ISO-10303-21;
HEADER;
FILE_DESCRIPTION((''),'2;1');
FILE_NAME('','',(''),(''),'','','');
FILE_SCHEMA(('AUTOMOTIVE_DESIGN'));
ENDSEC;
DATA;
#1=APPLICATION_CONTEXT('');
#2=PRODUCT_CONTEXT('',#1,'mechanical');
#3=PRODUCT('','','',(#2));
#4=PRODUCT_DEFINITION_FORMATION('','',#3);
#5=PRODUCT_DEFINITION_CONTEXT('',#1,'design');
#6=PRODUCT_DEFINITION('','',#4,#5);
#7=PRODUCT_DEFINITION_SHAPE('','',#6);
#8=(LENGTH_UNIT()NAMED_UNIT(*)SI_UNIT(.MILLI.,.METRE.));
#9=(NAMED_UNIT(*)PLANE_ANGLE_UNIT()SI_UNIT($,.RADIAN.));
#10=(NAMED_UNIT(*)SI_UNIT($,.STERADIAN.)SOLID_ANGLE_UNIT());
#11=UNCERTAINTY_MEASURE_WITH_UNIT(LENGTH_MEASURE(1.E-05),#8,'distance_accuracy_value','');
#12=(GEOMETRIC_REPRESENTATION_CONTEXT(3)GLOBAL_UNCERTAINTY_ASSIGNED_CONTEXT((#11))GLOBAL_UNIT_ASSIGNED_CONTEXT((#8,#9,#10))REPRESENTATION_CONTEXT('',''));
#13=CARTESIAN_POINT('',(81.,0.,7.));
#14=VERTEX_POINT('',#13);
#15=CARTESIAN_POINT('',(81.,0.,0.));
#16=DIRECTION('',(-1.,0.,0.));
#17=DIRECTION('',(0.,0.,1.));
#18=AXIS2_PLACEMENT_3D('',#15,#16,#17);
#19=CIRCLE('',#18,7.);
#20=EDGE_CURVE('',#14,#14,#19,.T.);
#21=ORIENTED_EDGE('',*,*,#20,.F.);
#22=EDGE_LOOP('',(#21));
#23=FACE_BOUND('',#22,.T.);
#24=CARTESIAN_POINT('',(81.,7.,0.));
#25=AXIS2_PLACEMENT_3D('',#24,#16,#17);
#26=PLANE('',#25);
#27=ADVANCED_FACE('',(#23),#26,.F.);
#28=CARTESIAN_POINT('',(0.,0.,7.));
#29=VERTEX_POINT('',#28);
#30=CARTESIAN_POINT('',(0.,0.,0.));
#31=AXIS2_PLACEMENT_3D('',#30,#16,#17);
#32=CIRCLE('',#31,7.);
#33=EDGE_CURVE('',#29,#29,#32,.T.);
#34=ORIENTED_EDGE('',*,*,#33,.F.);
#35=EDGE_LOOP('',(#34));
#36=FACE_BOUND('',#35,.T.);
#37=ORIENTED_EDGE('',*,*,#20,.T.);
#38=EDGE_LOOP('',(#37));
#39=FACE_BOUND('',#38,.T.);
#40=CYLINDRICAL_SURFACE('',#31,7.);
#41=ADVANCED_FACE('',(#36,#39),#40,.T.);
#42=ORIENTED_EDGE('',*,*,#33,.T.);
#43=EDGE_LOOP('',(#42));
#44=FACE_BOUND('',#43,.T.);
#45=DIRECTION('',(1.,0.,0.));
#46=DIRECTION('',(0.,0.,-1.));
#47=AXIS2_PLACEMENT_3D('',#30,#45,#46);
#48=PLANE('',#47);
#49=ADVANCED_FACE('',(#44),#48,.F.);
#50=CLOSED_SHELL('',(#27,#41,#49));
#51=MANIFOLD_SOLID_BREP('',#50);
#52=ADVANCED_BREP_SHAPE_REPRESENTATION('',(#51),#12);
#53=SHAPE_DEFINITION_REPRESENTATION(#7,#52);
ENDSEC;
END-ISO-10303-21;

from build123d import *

# Parameters (mm, degrees)
SKETCH_1_W = 81
SKETCH_1_H = 7


with BuildPart() as part:
    # 草图1 → 旋转1 (revolve)
    with BuildSketch(Plane.XY, mode=Mode.PRIVATE) as revolve_1_sk:
        with Locations((40.5, 3.5)):
            Rectangle(SKETCH_1_W, SKETCH_1_H)
    revolve(revolve_1_sk.sketch.rotate(Axis((0, 0, 0), (1, 0, 0)), 90), axis=Axis((0, 0, 0), (1, 0, 0)))


solid = part.part
